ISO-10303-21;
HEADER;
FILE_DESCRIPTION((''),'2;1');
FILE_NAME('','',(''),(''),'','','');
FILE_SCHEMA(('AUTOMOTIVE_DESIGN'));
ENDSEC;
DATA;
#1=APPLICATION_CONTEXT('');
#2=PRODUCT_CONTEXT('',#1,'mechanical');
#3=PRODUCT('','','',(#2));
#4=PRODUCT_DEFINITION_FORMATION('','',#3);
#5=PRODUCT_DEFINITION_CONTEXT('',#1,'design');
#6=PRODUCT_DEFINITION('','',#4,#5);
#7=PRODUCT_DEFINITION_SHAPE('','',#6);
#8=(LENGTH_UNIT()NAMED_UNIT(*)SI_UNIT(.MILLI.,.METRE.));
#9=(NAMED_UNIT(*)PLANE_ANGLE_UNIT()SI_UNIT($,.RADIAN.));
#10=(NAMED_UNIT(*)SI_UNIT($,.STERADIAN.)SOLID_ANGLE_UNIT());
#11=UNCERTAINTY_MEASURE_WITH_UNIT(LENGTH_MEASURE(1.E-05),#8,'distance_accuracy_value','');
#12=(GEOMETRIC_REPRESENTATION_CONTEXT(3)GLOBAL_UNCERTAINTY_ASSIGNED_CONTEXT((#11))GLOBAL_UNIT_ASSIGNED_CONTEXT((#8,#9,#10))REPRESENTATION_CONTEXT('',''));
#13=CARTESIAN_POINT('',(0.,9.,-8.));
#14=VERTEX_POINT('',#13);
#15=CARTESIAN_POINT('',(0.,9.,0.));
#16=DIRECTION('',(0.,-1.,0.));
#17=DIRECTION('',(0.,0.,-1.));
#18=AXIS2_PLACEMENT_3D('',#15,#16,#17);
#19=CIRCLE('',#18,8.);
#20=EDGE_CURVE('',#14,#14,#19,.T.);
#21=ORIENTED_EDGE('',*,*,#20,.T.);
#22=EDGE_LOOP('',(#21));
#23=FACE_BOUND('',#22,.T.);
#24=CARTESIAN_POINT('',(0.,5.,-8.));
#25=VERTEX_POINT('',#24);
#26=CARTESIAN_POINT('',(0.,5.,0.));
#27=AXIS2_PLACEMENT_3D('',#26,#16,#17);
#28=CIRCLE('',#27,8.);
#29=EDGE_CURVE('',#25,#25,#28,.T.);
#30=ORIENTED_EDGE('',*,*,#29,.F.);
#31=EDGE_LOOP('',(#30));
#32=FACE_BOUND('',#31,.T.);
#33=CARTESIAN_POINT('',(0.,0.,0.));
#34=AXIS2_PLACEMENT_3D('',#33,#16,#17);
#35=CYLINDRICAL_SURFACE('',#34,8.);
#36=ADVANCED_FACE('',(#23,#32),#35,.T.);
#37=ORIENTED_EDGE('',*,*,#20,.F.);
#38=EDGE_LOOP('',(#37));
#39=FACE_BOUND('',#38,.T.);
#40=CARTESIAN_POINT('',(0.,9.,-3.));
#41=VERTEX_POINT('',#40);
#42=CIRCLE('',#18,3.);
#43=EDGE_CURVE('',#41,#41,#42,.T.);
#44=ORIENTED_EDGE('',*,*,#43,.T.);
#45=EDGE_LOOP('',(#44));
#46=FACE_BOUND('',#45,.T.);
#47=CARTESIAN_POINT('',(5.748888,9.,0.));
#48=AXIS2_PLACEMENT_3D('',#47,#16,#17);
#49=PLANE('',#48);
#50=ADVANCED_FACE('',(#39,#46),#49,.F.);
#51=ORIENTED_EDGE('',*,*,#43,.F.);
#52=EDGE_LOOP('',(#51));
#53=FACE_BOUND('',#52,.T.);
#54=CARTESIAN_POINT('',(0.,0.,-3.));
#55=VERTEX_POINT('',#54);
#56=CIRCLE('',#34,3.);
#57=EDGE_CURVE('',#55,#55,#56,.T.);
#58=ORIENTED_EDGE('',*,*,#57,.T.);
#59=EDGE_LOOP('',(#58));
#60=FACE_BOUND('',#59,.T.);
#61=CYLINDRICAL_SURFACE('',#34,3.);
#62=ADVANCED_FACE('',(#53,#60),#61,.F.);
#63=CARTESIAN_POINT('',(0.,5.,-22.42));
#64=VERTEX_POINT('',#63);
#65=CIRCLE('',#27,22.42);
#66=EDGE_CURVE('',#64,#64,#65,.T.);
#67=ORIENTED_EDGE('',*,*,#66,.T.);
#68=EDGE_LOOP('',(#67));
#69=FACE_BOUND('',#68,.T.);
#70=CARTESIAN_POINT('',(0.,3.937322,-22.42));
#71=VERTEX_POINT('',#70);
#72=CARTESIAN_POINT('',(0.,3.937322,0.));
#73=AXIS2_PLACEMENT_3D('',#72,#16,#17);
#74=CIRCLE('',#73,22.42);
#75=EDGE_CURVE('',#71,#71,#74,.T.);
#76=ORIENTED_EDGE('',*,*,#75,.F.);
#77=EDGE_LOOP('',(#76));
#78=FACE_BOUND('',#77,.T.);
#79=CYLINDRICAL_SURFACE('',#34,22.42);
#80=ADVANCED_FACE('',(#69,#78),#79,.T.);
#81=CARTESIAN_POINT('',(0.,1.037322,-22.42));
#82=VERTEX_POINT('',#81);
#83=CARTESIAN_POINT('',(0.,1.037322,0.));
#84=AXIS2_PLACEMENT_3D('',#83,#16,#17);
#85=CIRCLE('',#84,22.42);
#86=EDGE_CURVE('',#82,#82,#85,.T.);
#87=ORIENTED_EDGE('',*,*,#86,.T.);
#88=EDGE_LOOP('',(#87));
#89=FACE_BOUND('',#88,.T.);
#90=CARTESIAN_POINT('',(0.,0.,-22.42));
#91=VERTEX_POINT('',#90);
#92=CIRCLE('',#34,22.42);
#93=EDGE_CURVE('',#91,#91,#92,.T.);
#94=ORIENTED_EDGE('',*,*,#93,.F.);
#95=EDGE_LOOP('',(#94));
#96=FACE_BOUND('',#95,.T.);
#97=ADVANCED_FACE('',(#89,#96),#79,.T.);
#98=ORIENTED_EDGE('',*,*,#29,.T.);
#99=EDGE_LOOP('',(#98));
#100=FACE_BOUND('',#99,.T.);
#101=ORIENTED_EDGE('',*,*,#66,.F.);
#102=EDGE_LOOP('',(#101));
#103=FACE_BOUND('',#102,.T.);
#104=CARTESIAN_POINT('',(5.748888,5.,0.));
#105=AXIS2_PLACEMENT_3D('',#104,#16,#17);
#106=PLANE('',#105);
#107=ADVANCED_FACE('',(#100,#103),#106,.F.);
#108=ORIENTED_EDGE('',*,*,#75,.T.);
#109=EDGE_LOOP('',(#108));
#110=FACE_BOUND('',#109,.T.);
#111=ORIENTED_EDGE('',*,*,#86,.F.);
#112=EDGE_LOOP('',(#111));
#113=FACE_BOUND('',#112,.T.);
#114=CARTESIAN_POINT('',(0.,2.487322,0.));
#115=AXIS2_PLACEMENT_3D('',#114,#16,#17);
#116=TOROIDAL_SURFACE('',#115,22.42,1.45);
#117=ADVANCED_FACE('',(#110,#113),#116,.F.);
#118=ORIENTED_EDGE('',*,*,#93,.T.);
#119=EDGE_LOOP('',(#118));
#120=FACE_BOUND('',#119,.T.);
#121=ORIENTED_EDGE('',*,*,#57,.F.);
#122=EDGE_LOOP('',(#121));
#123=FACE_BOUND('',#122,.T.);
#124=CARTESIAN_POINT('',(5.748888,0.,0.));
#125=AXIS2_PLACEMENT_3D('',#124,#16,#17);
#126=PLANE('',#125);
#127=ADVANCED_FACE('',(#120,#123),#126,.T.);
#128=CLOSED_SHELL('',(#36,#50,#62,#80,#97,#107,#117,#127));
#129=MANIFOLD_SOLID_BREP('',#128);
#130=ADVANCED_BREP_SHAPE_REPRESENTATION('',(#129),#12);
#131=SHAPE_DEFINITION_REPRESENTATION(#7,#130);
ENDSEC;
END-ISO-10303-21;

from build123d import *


with BuildPart() as part:
    # Esquisse1 → Révolution1 (revolve)
    with BuildSketch(Plane.XY, mode=Mode.PRIVATE) as r_volution1_sk:
        with BuildLine():
            ThreePointArc((22.42, 3.937322098), (20.97, 2.487322098), (22.42, 1.037322098))
            Line((22.42, 1.037322098), (22.42, 0))
            Line((22.42, 0), (23.97, 0))
            Line((23.97, 0), (3, 0))
            Line((3, 0), (3, 5))
            Line((3, 5), (3, 9))
            Line((3, 9), (8, 9))
            Line((8, 9), (8, 5))
            Line((8, 5), (23.97, 5))
            Line((23.97, 5), (22.42, 5))
            Line((22.42, 5), (22.42, 3.937322098))
        make_face()
    revolve(r_volution1_sk.sketch.rotate(Axis((0, 0, 0), (0, 1, 0)), 90), axis=Axis((0, 0, 0), (0, 1, 0)))


solid = part.part
